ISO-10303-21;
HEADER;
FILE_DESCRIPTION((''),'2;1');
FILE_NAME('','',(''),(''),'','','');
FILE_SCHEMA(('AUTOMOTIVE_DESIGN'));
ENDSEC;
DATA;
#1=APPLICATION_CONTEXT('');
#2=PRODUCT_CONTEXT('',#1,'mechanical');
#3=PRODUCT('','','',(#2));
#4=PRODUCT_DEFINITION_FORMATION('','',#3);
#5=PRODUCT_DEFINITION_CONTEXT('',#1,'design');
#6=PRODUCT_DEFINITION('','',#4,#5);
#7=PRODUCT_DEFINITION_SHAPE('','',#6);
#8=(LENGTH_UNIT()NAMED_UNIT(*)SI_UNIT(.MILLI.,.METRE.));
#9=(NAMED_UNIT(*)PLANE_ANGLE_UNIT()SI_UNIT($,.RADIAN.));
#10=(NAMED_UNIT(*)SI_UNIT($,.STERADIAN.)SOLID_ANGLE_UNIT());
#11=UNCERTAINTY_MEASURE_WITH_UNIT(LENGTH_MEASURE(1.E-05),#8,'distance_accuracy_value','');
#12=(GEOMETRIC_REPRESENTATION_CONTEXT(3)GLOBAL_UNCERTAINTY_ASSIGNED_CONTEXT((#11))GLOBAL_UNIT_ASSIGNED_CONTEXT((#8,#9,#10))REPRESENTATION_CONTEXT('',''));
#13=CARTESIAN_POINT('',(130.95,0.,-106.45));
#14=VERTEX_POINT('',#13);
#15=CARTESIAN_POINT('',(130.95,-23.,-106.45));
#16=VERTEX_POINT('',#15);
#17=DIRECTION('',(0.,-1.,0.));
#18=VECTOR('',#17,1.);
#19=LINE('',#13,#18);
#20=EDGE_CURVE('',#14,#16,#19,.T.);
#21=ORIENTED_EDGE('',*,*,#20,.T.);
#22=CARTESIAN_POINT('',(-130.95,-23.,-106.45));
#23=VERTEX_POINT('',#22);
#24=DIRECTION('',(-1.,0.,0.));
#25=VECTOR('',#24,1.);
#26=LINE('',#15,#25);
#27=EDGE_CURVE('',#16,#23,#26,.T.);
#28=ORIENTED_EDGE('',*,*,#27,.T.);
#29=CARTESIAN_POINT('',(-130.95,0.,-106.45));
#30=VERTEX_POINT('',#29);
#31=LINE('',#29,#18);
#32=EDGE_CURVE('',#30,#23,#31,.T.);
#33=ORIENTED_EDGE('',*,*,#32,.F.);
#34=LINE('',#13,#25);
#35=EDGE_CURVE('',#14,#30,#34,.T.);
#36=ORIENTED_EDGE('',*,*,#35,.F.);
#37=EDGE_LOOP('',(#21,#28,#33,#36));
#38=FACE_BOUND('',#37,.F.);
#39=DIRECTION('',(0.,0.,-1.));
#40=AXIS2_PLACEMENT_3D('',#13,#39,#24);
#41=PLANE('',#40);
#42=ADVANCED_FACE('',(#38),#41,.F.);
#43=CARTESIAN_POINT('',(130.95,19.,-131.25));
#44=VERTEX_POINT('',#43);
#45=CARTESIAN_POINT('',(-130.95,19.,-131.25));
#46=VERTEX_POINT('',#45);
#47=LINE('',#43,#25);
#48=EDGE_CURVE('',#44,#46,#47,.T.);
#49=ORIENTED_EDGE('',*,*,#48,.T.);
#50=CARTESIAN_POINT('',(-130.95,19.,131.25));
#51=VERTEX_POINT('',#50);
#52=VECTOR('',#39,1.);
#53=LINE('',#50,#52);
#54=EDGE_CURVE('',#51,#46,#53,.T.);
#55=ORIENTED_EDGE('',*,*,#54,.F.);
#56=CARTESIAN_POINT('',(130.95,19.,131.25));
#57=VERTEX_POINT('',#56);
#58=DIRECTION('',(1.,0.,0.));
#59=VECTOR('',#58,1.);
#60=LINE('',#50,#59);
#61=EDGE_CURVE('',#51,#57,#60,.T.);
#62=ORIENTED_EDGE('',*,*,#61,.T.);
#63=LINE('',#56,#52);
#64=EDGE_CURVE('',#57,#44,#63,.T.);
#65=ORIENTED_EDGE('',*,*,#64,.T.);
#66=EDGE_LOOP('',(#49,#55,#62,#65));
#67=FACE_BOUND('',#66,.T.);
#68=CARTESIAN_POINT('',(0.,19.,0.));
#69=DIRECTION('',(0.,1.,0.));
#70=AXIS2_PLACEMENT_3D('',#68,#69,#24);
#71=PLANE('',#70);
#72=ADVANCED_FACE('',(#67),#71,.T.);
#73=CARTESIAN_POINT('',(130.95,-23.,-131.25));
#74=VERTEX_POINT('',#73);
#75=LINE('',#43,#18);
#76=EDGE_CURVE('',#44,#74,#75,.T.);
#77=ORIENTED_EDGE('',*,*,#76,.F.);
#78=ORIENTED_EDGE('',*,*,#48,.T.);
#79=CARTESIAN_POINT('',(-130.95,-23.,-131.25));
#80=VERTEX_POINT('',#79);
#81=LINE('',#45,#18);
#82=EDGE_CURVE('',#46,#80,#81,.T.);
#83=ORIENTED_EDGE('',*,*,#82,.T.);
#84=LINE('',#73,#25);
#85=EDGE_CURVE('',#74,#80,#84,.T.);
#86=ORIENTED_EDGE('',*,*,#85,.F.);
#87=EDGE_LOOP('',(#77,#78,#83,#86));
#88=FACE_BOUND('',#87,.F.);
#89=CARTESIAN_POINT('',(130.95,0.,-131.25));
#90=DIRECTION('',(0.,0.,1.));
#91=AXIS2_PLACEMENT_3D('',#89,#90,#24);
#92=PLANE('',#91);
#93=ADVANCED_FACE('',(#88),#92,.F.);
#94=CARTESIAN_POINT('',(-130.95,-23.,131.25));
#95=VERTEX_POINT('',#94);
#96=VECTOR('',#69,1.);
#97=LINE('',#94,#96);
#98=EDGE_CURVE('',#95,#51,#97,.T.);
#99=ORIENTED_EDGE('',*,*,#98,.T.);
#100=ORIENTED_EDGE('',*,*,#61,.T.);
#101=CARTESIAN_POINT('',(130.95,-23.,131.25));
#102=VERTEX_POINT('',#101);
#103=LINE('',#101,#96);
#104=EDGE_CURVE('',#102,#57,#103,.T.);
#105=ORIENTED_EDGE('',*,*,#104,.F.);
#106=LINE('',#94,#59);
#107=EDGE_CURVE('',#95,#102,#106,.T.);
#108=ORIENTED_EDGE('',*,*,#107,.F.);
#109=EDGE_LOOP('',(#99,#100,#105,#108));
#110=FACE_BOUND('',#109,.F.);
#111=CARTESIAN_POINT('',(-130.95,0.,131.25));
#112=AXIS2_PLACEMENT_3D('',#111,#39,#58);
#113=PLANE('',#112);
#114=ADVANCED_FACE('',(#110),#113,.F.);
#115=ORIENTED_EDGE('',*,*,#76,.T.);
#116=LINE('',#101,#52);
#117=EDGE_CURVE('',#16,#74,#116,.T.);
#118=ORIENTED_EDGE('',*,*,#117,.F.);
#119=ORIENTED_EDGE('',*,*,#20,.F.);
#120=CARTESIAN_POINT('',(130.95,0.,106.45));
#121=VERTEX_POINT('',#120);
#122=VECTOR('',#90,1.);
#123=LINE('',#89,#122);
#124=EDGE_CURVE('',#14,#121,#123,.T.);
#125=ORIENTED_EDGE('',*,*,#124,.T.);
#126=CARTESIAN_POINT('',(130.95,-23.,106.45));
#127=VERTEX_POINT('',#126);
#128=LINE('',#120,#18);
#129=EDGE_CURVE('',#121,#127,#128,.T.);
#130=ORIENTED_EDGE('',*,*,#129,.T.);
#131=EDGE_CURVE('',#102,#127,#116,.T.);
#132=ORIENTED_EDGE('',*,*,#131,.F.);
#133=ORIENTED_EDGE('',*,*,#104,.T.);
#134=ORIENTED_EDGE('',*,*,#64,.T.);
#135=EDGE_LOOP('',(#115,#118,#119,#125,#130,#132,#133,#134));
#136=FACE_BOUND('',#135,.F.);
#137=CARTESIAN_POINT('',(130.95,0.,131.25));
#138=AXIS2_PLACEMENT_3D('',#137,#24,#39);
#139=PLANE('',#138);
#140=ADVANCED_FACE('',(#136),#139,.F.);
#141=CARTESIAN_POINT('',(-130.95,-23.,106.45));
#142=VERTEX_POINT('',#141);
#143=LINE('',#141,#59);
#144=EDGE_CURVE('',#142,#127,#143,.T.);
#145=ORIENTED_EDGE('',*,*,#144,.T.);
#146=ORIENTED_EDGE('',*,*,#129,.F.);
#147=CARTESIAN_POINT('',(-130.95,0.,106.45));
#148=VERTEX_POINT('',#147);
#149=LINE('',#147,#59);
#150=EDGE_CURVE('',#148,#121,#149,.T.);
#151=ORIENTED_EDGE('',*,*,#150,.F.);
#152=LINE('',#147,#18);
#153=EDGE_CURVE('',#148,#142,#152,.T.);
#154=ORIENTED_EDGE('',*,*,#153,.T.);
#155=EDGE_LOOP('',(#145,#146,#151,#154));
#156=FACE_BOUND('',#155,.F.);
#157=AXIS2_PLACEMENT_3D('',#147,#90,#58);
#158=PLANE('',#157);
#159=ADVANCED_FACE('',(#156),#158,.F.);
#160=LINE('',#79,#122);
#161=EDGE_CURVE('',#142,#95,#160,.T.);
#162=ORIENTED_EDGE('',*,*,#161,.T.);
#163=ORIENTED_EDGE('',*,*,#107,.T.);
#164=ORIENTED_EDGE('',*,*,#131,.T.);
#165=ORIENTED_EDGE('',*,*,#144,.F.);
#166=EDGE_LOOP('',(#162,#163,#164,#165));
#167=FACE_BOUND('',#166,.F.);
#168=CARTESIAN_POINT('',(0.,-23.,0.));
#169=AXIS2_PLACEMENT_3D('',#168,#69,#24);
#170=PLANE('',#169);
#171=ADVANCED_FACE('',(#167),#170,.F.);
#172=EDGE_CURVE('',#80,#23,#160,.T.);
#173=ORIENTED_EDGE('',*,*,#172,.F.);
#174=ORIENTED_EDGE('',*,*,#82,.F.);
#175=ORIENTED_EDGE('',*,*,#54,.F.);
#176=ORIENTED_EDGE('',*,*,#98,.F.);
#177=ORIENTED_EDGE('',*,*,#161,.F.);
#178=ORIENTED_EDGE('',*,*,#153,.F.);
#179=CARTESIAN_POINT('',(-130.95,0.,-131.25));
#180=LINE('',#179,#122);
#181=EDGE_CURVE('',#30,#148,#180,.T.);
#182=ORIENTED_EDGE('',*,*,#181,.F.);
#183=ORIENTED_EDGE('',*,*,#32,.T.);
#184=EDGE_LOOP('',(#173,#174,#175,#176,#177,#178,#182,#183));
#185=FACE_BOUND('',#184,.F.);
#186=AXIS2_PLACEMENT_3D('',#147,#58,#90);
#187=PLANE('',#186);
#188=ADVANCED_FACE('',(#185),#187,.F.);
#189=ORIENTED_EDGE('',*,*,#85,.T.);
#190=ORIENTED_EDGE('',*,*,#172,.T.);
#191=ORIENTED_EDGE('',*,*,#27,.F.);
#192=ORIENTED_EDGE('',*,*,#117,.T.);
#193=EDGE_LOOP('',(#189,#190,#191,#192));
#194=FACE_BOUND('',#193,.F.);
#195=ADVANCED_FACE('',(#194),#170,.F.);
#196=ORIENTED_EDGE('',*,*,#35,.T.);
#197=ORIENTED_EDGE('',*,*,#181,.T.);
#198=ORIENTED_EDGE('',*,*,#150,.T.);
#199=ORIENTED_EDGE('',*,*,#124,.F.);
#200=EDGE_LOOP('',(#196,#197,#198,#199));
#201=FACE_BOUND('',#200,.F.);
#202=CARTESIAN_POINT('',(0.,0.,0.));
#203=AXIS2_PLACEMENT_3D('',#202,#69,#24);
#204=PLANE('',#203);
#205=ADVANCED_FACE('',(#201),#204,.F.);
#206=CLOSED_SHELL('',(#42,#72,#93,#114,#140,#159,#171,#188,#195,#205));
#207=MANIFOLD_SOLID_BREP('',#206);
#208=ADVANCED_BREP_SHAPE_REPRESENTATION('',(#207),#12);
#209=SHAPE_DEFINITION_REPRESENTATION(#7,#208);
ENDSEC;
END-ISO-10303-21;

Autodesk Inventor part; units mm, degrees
ref_plane "YZ Plane" through (0, 0, 0) normal (1, 0, 0) x (0, 1, 0)
ref_plane "XZ Plane" through (0, 0, 0) normal (0, 1, 0) x (-1, 0, 0)
ref_plane "XY Plane" through (0, 0, 0) normal (0, 0, 1) x (1, 0, 0)
sketch "Esboço1" plane through (0, 0, 0) normal (0, 1, 0) x (-1, 0, 0)
  line L0 (130.95, 131.25) -> (-130.95, 131.25)
  line L1 (-130.95, 131.25) -> (-130.95, -131.25)
  line L2 (-130.95, -131.25) -> (130.95, -131.25)
  line L3 (130.95, -131.25) -> (130.95, 131.25)
  line L4 (130.95, 131.25) -> (-130.95, -131.25) construction
  line L5 (-130.95, 131.25) -> (130.95, -131.25) construction
  line L6 (130.95, 106.45) -> (-130.95, 106.45)
  line L7 (-130.95, -106.45) -> (130.95, -106.45)
  point P0 (0, 0)
  dimension "d0" = 261.9
  dimension "d1" = 262.5
  dimension "d2" = 24.8
  dimension "d3" = 24.8
extrude "Extrusão1" add sketch "Esboço1" along normal blind 19
extrude "Extrusão2" add sketch "Esboço1" against normal blind 23 contours L3 L6 L1 L0 | L3 L2 L1 L7
properties part number "Tampa"
